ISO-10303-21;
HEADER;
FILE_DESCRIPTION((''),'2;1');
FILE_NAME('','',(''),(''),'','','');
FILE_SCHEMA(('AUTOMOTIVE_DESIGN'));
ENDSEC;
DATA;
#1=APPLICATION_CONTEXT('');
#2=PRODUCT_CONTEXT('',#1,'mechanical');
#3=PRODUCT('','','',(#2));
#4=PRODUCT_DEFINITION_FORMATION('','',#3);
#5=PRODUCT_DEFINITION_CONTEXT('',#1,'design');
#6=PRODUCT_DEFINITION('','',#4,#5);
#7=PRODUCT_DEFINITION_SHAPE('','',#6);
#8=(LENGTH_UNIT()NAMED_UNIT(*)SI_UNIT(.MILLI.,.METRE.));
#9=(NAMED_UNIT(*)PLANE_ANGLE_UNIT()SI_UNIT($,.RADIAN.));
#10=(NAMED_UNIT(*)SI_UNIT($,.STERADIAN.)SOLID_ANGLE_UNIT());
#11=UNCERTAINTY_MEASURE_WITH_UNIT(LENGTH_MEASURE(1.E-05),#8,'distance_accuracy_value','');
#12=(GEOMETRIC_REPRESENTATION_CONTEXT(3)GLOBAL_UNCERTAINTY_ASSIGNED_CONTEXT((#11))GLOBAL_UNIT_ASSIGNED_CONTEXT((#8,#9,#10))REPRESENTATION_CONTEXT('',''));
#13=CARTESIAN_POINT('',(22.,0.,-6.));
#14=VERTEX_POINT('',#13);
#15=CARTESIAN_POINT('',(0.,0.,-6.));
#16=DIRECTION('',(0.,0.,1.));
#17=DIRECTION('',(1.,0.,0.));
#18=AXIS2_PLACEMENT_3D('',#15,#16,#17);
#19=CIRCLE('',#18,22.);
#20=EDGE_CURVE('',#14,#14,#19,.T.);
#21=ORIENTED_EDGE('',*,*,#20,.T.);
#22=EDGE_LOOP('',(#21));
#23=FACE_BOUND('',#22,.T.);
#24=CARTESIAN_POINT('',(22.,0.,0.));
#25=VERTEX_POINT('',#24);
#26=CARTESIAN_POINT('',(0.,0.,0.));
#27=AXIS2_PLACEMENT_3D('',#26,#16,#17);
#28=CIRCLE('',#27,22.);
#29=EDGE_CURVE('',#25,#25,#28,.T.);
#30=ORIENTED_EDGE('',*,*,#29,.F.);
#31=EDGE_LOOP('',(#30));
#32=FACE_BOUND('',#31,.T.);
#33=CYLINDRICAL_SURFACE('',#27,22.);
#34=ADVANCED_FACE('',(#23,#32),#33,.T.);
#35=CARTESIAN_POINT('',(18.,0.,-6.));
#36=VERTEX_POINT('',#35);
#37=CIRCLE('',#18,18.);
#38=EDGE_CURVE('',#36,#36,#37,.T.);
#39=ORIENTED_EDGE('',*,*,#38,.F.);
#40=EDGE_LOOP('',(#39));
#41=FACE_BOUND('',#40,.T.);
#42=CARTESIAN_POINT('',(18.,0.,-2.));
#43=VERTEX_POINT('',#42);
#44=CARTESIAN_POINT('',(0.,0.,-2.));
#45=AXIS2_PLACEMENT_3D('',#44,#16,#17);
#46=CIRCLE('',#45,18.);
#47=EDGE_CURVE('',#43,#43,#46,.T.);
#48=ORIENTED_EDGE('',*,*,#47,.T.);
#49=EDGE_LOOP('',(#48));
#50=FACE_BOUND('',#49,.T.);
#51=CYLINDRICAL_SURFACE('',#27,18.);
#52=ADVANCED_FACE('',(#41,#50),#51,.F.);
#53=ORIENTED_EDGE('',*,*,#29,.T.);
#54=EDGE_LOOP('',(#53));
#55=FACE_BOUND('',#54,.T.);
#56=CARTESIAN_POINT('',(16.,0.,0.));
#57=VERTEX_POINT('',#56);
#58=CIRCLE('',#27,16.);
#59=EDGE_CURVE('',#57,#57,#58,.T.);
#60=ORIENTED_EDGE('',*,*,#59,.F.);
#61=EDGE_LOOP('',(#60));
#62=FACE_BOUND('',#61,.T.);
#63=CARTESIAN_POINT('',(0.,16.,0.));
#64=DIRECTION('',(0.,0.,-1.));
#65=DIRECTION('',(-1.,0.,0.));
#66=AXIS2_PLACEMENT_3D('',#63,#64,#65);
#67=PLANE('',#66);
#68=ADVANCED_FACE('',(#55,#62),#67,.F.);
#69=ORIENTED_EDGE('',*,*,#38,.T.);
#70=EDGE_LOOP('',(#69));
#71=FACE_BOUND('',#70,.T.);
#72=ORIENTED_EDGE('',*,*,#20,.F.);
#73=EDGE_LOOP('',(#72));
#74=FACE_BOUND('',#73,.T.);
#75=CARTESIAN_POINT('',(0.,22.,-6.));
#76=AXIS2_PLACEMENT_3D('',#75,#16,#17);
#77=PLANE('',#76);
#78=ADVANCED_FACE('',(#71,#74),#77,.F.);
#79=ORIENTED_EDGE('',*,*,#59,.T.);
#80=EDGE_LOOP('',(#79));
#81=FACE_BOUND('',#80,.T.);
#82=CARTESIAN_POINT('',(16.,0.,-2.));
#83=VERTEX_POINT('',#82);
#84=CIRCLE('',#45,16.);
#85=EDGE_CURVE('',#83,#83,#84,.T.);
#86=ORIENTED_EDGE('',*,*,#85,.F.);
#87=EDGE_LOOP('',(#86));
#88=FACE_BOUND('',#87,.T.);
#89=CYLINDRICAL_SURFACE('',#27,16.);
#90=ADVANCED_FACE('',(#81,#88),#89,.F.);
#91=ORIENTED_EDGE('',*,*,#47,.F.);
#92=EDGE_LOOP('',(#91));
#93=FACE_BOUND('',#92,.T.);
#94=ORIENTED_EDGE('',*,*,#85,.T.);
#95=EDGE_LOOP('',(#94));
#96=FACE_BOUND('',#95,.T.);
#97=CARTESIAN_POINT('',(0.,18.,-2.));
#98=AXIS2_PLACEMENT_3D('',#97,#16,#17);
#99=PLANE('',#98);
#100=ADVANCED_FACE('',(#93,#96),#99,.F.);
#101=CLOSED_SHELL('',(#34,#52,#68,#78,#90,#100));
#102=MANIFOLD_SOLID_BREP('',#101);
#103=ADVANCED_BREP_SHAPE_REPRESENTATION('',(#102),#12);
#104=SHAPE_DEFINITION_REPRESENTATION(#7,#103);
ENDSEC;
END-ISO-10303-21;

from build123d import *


with BuildPart() as part:
    # Sketch1 → Revolve1 (revolve)
    with BuildSketch(Plane(origin=(0, 0, 0), x_dir=(0, 0, -1), z_dir=(1, 0, 0)), mode=Mode.PRIVATE) as revolve1_sk:
        Polygon((0, 16), (0, 22), (6, 22), (6, 18), (2, 18), (2, 16), align=None)
    revolve(revolve1_sk.sketch.rotate(Axis((0, 0, 0), (0, 0, -1)), 90), axis=Axis((0, 0, 0), (0, 0, -1)))  # turned: the seam where the file's is


solid = part.part
